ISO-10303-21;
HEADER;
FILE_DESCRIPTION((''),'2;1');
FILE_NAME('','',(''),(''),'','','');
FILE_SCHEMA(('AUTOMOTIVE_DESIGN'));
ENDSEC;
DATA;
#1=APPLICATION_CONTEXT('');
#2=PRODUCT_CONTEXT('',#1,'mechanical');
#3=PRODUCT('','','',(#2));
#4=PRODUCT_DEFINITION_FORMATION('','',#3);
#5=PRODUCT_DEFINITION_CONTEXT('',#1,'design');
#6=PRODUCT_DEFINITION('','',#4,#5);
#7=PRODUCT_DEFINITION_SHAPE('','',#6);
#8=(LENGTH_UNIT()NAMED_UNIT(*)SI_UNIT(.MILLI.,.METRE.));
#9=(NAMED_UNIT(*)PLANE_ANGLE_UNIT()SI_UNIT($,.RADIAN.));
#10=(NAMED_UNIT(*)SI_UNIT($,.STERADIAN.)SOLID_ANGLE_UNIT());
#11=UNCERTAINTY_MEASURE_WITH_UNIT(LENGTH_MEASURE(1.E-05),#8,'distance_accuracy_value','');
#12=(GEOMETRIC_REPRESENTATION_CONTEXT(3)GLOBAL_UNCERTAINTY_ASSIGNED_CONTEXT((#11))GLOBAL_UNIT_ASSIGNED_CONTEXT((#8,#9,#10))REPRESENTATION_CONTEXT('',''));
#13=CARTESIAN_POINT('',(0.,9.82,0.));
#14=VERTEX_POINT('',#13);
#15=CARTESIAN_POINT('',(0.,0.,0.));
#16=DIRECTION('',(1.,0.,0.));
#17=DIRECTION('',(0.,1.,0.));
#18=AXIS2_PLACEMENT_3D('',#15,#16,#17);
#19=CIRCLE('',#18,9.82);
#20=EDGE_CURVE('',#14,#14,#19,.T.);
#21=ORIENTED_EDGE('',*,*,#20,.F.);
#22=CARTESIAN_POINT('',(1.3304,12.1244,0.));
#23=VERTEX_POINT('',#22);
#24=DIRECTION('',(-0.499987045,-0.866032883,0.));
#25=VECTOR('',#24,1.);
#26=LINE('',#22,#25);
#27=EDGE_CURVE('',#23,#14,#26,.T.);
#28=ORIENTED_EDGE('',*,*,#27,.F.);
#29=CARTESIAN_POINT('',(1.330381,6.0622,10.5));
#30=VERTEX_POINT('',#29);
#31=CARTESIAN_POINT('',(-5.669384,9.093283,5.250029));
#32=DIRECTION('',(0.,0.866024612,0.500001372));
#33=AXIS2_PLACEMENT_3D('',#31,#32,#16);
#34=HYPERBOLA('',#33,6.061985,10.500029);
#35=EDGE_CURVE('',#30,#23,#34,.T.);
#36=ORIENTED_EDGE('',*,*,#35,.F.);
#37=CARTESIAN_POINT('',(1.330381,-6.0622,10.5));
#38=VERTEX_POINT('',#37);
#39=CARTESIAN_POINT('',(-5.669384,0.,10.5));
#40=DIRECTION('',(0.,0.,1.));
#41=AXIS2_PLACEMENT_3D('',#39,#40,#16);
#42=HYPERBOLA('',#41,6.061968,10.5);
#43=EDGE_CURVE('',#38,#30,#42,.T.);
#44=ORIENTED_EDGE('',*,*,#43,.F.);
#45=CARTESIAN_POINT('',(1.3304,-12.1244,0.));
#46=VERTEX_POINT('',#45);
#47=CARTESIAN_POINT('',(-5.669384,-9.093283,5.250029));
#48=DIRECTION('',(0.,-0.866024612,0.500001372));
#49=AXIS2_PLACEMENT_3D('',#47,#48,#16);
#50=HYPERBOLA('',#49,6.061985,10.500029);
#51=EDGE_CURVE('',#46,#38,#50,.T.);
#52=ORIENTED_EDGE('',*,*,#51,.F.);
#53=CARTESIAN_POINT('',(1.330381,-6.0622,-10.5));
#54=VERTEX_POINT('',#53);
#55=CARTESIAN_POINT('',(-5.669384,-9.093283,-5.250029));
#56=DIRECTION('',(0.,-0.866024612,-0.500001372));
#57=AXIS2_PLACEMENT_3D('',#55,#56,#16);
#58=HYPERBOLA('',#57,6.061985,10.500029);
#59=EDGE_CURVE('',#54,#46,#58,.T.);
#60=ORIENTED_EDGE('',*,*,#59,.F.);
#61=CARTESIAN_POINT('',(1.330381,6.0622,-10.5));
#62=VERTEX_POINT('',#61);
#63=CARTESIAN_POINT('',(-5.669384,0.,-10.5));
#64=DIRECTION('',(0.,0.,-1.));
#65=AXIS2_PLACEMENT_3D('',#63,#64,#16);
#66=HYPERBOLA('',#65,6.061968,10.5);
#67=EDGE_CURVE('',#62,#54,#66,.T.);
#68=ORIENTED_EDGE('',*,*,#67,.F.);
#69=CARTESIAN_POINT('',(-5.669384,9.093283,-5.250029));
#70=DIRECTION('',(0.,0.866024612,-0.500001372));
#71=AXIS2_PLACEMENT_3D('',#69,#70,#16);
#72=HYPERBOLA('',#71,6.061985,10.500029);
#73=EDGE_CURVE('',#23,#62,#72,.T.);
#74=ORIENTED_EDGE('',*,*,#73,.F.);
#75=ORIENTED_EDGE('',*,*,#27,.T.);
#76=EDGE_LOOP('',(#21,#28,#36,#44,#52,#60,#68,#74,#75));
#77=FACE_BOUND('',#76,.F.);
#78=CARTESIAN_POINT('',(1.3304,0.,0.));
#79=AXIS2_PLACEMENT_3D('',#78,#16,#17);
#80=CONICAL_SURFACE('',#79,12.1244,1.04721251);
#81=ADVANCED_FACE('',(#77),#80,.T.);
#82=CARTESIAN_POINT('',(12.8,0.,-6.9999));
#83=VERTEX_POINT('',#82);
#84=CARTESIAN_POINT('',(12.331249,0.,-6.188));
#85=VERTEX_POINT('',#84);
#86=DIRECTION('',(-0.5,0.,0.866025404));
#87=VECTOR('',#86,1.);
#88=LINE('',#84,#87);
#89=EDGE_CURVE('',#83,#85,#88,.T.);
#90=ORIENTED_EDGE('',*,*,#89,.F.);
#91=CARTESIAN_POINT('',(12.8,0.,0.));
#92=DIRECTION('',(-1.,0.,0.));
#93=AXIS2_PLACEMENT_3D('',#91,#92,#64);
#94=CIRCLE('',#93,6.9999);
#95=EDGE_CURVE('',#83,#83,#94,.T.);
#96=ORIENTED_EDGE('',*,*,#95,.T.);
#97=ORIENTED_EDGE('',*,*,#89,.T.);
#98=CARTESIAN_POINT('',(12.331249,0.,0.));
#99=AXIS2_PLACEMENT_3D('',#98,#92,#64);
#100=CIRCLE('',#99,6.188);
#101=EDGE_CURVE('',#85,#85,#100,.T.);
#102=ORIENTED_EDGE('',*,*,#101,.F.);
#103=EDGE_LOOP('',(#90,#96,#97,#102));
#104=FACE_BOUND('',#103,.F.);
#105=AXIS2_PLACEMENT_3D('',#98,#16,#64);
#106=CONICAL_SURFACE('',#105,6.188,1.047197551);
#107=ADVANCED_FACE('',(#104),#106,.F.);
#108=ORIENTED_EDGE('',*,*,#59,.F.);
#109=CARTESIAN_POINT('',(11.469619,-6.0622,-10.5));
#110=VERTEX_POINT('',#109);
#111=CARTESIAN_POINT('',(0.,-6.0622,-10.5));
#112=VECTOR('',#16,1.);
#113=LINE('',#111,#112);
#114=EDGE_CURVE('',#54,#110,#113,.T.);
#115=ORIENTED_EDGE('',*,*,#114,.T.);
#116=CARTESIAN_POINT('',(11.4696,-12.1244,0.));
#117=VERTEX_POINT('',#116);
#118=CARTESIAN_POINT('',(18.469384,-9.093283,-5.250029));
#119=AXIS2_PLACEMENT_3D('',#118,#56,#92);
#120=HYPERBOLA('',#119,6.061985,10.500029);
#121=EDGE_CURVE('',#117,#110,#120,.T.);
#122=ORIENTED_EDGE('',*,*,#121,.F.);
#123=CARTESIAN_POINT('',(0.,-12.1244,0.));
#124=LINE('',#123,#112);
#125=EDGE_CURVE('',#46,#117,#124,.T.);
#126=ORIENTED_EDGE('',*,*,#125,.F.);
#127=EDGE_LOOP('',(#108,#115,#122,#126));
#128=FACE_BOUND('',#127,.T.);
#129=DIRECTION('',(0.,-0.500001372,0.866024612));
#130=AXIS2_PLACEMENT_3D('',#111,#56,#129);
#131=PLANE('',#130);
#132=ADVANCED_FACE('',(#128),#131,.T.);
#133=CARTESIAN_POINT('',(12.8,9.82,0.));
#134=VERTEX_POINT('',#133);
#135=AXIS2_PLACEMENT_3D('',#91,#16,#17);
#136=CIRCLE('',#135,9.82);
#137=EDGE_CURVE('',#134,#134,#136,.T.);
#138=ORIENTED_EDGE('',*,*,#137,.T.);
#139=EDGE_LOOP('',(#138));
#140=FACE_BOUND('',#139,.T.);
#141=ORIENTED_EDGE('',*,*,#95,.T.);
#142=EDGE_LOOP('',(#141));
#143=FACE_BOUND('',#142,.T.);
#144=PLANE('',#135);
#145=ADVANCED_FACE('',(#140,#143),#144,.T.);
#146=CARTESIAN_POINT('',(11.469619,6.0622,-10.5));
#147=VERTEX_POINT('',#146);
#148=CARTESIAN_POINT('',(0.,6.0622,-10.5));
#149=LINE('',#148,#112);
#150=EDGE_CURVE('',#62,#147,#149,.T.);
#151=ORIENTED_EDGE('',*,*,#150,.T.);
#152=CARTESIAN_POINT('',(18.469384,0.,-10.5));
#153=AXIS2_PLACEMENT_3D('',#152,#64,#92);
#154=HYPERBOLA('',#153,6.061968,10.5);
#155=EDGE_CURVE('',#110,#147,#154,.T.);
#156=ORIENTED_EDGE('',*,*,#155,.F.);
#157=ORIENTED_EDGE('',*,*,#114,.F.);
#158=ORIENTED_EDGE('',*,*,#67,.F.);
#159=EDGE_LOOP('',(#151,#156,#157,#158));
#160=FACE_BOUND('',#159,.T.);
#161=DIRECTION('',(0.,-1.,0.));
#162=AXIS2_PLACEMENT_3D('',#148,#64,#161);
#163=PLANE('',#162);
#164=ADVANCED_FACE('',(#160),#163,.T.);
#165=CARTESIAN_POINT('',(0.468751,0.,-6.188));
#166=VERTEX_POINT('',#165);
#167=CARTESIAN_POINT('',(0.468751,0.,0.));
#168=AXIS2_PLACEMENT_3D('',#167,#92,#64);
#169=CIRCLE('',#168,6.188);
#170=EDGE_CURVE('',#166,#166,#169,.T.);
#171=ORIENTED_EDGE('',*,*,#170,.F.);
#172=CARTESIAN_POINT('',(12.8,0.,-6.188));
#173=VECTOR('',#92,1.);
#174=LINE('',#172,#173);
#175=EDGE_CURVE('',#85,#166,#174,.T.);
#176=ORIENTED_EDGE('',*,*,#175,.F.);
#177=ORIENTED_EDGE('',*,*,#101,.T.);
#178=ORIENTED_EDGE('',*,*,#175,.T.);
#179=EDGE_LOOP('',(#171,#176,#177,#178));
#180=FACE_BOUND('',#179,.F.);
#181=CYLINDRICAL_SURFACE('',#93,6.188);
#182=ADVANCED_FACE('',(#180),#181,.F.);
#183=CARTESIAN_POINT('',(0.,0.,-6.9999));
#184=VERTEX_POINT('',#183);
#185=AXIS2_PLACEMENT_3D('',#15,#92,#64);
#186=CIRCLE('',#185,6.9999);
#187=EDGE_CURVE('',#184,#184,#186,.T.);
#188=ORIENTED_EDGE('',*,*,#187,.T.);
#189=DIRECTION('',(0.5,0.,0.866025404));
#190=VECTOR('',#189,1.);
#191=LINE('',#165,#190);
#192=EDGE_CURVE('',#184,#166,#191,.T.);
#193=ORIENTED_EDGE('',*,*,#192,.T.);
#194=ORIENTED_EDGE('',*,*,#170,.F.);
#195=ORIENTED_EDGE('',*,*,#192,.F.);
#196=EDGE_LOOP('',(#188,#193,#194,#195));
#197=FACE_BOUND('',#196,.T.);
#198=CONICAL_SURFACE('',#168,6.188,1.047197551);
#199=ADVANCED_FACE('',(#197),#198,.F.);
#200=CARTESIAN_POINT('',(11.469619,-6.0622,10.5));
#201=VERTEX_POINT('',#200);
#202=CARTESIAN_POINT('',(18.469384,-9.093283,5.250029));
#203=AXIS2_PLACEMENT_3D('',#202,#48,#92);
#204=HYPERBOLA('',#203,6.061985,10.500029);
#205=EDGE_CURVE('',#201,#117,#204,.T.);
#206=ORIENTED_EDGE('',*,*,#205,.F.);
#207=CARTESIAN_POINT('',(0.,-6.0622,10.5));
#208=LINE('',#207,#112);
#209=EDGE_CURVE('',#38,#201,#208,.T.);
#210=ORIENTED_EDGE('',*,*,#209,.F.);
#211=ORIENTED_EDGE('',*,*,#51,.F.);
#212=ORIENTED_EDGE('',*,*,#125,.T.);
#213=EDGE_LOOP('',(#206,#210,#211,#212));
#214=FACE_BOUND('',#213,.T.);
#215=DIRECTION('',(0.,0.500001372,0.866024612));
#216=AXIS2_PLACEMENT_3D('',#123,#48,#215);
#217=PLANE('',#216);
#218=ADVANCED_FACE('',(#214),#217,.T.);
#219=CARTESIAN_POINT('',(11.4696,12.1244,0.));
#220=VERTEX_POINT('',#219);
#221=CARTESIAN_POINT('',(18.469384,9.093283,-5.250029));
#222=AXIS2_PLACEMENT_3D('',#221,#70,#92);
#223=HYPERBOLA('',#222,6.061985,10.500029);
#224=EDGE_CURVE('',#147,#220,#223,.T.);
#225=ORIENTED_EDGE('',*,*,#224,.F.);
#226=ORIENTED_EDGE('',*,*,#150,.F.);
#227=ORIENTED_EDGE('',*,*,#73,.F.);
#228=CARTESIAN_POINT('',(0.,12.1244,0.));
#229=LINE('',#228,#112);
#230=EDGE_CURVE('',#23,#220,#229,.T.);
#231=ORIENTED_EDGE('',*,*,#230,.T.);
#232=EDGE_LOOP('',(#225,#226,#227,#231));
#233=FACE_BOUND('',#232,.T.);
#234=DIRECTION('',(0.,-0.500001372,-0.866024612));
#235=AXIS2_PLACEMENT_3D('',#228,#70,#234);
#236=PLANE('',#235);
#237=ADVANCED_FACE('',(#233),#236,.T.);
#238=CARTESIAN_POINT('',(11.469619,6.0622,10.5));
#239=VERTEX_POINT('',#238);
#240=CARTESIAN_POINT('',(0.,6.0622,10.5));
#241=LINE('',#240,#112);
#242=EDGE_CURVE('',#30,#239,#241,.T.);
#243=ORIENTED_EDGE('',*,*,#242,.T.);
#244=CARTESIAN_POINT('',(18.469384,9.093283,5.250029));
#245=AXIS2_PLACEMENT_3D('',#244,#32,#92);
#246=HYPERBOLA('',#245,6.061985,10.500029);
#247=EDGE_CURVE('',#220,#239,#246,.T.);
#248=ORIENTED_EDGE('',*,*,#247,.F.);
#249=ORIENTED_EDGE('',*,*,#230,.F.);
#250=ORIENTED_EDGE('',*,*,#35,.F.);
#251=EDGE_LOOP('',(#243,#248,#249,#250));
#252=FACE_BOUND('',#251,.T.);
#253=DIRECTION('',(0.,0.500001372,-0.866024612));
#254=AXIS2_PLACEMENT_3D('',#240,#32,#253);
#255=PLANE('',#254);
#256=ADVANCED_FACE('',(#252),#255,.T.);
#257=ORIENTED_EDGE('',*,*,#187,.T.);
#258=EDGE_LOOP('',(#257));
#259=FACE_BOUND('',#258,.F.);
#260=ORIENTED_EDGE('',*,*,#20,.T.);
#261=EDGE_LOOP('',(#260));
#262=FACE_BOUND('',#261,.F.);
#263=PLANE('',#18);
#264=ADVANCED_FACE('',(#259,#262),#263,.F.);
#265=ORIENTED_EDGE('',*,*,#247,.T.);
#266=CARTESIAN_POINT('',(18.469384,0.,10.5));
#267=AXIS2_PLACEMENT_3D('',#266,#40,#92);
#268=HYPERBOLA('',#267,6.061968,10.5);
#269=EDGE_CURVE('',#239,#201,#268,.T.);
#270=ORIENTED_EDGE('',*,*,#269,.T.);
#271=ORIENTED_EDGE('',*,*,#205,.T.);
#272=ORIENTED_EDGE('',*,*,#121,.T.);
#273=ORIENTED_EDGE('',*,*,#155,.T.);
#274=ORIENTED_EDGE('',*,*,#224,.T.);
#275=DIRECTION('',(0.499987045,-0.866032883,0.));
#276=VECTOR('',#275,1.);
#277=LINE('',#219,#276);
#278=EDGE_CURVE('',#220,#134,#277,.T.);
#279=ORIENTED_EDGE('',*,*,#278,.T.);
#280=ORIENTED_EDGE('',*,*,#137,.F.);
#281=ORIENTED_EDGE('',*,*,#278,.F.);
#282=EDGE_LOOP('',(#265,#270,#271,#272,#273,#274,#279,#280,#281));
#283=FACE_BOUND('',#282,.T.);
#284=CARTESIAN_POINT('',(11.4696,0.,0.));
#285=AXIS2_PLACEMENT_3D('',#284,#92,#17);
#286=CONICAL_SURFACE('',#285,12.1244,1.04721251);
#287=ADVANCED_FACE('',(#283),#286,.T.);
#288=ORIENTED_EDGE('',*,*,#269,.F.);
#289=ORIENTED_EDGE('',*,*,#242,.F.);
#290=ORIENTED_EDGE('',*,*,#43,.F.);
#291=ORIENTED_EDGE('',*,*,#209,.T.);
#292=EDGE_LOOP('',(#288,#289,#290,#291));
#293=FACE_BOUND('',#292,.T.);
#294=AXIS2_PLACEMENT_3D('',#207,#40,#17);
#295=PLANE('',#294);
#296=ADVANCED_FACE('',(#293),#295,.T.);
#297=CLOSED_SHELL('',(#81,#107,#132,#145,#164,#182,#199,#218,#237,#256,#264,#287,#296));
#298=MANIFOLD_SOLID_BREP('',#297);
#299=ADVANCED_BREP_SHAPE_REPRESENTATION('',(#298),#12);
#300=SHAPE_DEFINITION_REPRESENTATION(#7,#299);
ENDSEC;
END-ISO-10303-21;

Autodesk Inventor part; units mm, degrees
ref_plane "YZ Plane" through (0, 0, 0) normal (1, 0, 0) x (0, 1, 0)
ref_plane "XZ Plane" through (0, 0, 0) normal (0, 1, 0) x (-1, 0, 0)
sketch "Эскиз1" plane through (0, 0, 0) normal (1, 0, 0) x (0, 1, 0)
  line L0 (-12.1244, 0) -> (-6.0622, 10.5)
  line L1 (-6.0622, 10.5) -> (6.0622, 10.5)
  line L2 (6.0622, 10.5) -> (12.1244, 0)
  line L3 (12.1244, 0) -> (6.0622, -10.5)
  line L4 (6.0622, -10.5) -> (-6.0622, -10.5)
  line L5 (-6.0622, -10.5) -> (-12.1244, 0)
  point P0 (0, 0)
  point P1 (0, 0)
  dimension "d0" = 24.2487
extrude "Базовый элемент" add sketch "Эскиз1" along normal blind 12.8
sketch "Эскиз2" plane through (0, 0, 0) normal (0, 0, 1) x (1, 0, 0)
  line L0 (0, 6.0622) -> (0, 12.1244) projected
  line L1 (0, 12.1244) -> (12.8, 12.1244) projected
  line L2 (12.8, 6.0622) -> (12.8, 12.1244) projected
  line L3 (-2.56, 0) -> (15.36, 0) projected
  line L4 (1.3304, 12.1244) -> (0, 9.82)
  line L5 (11.4696, 12.1244) -> (12.8, 9.82)
  dimension "d3" = 30
  dimension "d4" = 30
  dimension "d5" = 19.64
  dimension "d6" = 19.64
revolve "Фаска1" cut sketch "Эскиз2" angle 360 about axis through (-10, 0, 0) along (1, 0, 0)
sketch "Эскиз3" plane through (12.8, 0, 0) normal (1, 0, 0) x (0, 0, -1)
  arc A0 (-0.625, -1.0825) -> (0.625, -1.0825) centre (0, 0) ccw projected
hole "Резьба" at (12.8, 0, 0) direction (-1, 0, 0) diameter 12.376 end through all thread size "M14x1.5" class "6H" standard "ISO Metric profile"
chamfer "Фаска2" distance 0.8119 angle 30 1 edges at (12.8, 0, 6.188) measured on face at (12.8, 8.4992, -1.032)
chamfer "Фаска3" distance 0.8119 angle 30 1 edges at (0, 0, 6.188) measured on face at (0, 8.4992, -1.032)
ref_plane "Work Plane1" through (-22.0572, 0, 0) normal (0, -0.866, -0.5) x (1, 0, 0)
equation "\"d0\" = 1.1547 * SW"
equation "\"d1\" = KOH"
equation "\"d3\" = ANG1"
equation "\"d4\" = ANG2"
equation "\"d5\" = SW0"
equation "\"d6\" = SW01"
equation "\"d8\" = -0.5 * GD1 + 0.5 * NND"
equation "\"d40\" = -0.5 * GD1 + 0.5 * NND"
equation "\"d10\" = -0.5 * GD1 + 0.5 * NND"
equation "\"d41\" = -0.5 * GD1 + 0.5 * NND"
equation "\"ANG1\" = 30deg"
equation "\"ANG2\" = 30deg"
equation "\"NND\" = 14"
equation "\"KOH\" = 12.8"
equation "\"SW\" = 21"
equation "\"SW0\" = 19.64"
equation "\"SW01\" = SW0"
equation "\"GUL\" = 0.541266 * PTC"
equation "\"LADI\" = 19.64"
equation "\"TOA\" = 30deg"
equation "\"FAWI\" = 30deg"
equation "\"PTC\" = 1.5"
equation "\"THREADDIA\" = 14"
equation "\"E0\" = 1.155 * SW"
equation "\"GAL\" = 0.541266 * PTC"
equation "\"GD1\" = 12.376202"
properties part number "Копия гайки M14x1,5-6H ГОСТ 5915-70" material "Сталь, мягкая"
